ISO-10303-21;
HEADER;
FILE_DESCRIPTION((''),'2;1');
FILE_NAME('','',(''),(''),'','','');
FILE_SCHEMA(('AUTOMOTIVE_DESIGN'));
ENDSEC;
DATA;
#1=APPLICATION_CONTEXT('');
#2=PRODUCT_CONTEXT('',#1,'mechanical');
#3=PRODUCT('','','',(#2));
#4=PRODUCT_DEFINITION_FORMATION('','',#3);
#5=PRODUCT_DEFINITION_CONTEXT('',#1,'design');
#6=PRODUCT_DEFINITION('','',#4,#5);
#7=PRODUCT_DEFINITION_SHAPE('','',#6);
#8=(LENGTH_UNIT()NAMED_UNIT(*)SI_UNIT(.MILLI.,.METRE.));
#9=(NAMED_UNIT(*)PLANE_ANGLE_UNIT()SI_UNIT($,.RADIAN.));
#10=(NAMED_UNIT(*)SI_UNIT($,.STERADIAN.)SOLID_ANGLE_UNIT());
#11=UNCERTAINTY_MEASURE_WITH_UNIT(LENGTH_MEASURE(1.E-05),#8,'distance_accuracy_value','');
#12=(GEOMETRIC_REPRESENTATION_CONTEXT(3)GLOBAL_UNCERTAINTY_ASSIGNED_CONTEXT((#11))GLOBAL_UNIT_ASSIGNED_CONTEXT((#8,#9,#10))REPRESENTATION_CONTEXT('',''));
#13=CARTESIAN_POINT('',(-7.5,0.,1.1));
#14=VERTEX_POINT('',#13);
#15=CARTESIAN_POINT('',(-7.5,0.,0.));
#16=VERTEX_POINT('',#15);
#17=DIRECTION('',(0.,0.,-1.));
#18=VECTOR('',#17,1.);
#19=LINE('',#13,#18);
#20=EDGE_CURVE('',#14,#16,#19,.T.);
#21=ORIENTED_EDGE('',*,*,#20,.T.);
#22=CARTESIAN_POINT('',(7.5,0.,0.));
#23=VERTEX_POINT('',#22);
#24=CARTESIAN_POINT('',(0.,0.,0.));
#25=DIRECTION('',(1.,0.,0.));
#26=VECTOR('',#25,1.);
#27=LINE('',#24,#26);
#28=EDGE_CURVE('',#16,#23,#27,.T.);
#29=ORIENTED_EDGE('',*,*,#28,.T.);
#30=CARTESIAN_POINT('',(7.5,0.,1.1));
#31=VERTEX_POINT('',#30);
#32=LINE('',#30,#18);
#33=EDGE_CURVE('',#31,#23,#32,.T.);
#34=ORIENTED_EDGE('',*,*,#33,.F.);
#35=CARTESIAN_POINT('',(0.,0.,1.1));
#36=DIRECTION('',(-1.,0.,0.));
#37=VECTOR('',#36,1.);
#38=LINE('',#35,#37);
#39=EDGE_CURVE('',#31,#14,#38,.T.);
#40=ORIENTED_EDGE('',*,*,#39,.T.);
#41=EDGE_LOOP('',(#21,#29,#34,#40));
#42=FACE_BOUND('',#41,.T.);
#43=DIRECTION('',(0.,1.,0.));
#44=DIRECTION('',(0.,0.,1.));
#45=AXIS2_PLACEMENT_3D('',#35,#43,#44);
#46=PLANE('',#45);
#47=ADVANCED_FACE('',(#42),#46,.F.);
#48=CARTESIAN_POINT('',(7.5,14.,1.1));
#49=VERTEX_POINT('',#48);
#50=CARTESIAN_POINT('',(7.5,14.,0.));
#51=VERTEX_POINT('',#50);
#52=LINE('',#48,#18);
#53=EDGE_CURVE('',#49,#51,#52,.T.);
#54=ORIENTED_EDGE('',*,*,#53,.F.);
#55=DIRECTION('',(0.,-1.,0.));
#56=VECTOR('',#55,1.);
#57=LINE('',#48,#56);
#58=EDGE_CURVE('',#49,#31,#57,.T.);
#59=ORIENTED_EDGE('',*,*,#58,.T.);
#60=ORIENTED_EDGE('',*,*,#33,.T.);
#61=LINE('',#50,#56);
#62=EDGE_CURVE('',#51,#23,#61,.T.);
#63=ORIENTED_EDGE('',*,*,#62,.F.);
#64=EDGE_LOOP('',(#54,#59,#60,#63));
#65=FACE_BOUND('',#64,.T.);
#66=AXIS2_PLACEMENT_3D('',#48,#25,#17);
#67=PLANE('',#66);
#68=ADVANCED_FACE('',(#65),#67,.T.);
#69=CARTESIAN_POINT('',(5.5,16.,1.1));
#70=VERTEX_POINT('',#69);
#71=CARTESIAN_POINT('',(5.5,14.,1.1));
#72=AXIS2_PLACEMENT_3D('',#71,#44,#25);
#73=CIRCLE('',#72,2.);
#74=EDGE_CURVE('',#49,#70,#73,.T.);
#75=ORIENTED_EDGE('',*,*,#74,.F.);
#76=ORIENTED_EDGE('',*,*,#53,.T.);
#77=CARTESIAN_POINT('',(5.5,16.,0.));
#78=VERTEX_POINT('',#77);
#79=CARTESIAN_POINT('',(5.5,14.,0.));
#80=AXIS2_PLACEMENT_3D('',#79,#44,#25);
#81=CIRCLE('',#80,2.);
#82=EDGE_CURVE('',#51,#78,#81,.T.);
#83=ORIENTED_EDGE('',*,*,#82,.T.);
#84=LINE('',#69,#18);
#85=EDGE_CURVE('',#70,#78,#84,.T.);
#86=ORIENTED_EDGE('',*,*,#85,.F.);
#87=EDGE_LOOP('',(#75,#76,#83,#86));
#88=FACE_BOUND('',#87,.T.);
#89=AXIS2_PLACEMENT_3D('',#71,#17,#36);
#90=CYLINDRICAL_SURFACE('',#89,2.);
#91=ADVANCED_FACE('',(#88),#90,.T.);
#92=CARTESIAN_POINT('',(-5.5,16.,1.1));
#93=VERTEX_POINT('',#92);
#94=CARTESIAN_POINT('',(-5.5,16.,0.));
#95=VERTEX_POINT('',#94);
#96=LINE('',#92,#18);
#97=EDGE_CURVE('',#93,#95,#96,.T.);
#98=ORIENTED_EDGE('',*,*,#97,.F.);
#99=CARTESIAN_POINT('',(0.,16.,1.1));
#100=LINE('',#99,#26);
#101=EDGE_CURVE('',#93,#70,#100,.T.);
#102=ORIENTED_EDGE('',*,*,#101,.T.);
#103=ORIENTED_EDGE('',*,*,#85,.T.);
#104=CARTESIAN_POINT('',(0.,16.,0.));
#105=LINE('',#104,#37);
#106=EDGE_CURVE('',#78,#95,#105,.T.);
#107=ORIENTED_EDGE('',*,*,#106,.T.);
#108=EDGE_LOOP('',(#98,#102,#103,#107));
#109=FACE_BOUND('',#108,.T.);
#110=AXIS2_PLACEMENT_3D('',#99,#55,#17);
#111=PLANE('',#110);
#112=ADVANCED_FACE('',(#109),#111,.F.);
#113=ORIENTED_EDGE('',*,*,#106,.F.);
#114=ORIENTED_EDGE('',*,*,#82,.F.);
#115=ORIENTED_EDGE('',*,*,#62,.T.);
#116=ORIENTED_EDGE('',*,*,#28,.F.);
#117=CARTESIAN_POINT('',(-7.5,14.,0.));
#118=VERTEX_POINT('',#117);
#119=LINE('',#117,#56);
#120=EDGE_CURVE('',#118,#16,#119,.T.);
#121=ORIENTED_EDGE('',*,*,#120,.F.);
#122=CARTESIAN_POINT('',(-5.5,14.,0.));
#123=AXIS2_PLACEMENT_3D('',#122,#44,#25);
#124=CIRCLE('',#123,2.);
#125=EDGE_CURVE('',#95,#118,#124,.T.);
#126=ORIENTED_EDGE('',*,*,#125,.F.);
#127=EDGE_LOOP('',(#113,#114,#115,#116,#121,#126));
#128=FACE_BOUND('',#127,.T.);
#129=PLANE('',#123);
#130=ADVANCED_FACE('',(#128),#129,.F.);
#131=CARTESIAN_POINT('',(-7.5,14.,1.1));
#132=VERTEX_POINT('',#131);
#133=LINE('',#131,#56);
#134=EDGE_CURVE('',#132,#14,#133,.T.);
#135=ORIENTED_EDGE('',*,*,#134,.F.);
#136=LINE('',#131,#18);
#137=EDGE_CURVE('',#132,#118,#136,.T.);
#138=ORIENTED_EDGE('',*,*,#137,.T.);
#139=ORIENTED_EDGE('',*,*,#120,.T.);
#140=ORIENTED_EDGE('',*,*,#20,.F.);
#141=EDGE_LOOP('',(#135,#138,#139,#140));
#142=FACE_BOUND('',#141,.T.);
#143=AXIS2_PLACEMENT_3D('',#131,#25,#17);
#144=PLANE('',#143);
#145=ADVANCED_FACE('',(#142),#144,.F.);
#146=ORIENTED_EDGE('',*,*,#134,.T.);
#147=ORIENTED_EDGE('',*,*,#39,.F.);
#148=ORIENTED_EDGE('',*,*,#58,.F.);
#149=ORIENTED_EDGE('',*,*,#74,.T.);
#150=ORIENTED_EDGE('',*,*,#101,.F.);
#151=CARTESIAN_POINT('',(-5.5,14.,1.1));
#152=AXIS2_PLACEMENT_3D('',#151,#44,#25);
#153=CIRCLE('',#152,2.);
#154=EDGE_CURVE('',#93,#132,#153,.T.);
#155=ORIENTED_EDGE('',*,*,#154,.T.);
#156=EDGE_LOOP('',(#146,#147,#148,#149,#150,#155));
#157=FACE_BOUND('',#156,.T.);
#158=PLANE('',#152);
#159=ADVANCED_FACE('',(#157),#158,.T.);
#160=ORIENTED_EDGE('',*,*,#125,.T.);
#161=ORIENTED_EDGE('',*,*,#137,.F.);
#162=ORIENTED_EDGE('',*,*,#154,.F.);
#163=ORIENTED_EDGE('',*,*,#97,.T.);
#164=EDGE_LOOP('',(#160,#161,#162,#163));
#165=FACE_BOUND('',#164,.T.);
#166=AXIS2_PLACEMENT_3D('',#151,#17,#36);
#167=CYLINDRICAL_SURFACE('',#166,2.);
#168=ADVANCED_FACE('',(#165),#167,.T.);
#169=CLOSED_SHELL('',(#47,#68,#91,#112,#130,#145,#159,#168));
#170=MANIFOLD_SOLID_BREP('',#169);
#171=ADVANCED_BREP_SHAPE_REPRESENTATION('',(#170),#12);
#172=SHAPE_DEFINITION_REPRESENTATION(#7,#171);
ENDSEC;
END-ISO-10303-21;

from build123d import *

# Parameters (mm, degrees)
EXTRUDE_1_DEPTH = 1.1


with BuildPart() as part:
    # 草图1 → 凸台-拉伸1 (new body)
    with BuildSketch(Plane.XY):
        with BuildLine():
            Line((0, 16), (5.5, 16))
            ThreePointArc((5.5, 16), (6.914213562, 15.414213562), (7.5, 14))
            Line((7.5, 14), (7.5, 0))
            Line((7.5, 0), (0, 0))
            Line((0, 0), (-7.5, 0))
            Line((-7.5, 0), (-7.5, 14))
            ThreePointArc((-7.5, 14), (-6.914213562, 15.414213562), (-5.5, 16))
            Line((-5.5, 16), (0, 16))
        make_face()
    extrude(amount=EXTRUDE_1_DEPTH)


solid = part.part
